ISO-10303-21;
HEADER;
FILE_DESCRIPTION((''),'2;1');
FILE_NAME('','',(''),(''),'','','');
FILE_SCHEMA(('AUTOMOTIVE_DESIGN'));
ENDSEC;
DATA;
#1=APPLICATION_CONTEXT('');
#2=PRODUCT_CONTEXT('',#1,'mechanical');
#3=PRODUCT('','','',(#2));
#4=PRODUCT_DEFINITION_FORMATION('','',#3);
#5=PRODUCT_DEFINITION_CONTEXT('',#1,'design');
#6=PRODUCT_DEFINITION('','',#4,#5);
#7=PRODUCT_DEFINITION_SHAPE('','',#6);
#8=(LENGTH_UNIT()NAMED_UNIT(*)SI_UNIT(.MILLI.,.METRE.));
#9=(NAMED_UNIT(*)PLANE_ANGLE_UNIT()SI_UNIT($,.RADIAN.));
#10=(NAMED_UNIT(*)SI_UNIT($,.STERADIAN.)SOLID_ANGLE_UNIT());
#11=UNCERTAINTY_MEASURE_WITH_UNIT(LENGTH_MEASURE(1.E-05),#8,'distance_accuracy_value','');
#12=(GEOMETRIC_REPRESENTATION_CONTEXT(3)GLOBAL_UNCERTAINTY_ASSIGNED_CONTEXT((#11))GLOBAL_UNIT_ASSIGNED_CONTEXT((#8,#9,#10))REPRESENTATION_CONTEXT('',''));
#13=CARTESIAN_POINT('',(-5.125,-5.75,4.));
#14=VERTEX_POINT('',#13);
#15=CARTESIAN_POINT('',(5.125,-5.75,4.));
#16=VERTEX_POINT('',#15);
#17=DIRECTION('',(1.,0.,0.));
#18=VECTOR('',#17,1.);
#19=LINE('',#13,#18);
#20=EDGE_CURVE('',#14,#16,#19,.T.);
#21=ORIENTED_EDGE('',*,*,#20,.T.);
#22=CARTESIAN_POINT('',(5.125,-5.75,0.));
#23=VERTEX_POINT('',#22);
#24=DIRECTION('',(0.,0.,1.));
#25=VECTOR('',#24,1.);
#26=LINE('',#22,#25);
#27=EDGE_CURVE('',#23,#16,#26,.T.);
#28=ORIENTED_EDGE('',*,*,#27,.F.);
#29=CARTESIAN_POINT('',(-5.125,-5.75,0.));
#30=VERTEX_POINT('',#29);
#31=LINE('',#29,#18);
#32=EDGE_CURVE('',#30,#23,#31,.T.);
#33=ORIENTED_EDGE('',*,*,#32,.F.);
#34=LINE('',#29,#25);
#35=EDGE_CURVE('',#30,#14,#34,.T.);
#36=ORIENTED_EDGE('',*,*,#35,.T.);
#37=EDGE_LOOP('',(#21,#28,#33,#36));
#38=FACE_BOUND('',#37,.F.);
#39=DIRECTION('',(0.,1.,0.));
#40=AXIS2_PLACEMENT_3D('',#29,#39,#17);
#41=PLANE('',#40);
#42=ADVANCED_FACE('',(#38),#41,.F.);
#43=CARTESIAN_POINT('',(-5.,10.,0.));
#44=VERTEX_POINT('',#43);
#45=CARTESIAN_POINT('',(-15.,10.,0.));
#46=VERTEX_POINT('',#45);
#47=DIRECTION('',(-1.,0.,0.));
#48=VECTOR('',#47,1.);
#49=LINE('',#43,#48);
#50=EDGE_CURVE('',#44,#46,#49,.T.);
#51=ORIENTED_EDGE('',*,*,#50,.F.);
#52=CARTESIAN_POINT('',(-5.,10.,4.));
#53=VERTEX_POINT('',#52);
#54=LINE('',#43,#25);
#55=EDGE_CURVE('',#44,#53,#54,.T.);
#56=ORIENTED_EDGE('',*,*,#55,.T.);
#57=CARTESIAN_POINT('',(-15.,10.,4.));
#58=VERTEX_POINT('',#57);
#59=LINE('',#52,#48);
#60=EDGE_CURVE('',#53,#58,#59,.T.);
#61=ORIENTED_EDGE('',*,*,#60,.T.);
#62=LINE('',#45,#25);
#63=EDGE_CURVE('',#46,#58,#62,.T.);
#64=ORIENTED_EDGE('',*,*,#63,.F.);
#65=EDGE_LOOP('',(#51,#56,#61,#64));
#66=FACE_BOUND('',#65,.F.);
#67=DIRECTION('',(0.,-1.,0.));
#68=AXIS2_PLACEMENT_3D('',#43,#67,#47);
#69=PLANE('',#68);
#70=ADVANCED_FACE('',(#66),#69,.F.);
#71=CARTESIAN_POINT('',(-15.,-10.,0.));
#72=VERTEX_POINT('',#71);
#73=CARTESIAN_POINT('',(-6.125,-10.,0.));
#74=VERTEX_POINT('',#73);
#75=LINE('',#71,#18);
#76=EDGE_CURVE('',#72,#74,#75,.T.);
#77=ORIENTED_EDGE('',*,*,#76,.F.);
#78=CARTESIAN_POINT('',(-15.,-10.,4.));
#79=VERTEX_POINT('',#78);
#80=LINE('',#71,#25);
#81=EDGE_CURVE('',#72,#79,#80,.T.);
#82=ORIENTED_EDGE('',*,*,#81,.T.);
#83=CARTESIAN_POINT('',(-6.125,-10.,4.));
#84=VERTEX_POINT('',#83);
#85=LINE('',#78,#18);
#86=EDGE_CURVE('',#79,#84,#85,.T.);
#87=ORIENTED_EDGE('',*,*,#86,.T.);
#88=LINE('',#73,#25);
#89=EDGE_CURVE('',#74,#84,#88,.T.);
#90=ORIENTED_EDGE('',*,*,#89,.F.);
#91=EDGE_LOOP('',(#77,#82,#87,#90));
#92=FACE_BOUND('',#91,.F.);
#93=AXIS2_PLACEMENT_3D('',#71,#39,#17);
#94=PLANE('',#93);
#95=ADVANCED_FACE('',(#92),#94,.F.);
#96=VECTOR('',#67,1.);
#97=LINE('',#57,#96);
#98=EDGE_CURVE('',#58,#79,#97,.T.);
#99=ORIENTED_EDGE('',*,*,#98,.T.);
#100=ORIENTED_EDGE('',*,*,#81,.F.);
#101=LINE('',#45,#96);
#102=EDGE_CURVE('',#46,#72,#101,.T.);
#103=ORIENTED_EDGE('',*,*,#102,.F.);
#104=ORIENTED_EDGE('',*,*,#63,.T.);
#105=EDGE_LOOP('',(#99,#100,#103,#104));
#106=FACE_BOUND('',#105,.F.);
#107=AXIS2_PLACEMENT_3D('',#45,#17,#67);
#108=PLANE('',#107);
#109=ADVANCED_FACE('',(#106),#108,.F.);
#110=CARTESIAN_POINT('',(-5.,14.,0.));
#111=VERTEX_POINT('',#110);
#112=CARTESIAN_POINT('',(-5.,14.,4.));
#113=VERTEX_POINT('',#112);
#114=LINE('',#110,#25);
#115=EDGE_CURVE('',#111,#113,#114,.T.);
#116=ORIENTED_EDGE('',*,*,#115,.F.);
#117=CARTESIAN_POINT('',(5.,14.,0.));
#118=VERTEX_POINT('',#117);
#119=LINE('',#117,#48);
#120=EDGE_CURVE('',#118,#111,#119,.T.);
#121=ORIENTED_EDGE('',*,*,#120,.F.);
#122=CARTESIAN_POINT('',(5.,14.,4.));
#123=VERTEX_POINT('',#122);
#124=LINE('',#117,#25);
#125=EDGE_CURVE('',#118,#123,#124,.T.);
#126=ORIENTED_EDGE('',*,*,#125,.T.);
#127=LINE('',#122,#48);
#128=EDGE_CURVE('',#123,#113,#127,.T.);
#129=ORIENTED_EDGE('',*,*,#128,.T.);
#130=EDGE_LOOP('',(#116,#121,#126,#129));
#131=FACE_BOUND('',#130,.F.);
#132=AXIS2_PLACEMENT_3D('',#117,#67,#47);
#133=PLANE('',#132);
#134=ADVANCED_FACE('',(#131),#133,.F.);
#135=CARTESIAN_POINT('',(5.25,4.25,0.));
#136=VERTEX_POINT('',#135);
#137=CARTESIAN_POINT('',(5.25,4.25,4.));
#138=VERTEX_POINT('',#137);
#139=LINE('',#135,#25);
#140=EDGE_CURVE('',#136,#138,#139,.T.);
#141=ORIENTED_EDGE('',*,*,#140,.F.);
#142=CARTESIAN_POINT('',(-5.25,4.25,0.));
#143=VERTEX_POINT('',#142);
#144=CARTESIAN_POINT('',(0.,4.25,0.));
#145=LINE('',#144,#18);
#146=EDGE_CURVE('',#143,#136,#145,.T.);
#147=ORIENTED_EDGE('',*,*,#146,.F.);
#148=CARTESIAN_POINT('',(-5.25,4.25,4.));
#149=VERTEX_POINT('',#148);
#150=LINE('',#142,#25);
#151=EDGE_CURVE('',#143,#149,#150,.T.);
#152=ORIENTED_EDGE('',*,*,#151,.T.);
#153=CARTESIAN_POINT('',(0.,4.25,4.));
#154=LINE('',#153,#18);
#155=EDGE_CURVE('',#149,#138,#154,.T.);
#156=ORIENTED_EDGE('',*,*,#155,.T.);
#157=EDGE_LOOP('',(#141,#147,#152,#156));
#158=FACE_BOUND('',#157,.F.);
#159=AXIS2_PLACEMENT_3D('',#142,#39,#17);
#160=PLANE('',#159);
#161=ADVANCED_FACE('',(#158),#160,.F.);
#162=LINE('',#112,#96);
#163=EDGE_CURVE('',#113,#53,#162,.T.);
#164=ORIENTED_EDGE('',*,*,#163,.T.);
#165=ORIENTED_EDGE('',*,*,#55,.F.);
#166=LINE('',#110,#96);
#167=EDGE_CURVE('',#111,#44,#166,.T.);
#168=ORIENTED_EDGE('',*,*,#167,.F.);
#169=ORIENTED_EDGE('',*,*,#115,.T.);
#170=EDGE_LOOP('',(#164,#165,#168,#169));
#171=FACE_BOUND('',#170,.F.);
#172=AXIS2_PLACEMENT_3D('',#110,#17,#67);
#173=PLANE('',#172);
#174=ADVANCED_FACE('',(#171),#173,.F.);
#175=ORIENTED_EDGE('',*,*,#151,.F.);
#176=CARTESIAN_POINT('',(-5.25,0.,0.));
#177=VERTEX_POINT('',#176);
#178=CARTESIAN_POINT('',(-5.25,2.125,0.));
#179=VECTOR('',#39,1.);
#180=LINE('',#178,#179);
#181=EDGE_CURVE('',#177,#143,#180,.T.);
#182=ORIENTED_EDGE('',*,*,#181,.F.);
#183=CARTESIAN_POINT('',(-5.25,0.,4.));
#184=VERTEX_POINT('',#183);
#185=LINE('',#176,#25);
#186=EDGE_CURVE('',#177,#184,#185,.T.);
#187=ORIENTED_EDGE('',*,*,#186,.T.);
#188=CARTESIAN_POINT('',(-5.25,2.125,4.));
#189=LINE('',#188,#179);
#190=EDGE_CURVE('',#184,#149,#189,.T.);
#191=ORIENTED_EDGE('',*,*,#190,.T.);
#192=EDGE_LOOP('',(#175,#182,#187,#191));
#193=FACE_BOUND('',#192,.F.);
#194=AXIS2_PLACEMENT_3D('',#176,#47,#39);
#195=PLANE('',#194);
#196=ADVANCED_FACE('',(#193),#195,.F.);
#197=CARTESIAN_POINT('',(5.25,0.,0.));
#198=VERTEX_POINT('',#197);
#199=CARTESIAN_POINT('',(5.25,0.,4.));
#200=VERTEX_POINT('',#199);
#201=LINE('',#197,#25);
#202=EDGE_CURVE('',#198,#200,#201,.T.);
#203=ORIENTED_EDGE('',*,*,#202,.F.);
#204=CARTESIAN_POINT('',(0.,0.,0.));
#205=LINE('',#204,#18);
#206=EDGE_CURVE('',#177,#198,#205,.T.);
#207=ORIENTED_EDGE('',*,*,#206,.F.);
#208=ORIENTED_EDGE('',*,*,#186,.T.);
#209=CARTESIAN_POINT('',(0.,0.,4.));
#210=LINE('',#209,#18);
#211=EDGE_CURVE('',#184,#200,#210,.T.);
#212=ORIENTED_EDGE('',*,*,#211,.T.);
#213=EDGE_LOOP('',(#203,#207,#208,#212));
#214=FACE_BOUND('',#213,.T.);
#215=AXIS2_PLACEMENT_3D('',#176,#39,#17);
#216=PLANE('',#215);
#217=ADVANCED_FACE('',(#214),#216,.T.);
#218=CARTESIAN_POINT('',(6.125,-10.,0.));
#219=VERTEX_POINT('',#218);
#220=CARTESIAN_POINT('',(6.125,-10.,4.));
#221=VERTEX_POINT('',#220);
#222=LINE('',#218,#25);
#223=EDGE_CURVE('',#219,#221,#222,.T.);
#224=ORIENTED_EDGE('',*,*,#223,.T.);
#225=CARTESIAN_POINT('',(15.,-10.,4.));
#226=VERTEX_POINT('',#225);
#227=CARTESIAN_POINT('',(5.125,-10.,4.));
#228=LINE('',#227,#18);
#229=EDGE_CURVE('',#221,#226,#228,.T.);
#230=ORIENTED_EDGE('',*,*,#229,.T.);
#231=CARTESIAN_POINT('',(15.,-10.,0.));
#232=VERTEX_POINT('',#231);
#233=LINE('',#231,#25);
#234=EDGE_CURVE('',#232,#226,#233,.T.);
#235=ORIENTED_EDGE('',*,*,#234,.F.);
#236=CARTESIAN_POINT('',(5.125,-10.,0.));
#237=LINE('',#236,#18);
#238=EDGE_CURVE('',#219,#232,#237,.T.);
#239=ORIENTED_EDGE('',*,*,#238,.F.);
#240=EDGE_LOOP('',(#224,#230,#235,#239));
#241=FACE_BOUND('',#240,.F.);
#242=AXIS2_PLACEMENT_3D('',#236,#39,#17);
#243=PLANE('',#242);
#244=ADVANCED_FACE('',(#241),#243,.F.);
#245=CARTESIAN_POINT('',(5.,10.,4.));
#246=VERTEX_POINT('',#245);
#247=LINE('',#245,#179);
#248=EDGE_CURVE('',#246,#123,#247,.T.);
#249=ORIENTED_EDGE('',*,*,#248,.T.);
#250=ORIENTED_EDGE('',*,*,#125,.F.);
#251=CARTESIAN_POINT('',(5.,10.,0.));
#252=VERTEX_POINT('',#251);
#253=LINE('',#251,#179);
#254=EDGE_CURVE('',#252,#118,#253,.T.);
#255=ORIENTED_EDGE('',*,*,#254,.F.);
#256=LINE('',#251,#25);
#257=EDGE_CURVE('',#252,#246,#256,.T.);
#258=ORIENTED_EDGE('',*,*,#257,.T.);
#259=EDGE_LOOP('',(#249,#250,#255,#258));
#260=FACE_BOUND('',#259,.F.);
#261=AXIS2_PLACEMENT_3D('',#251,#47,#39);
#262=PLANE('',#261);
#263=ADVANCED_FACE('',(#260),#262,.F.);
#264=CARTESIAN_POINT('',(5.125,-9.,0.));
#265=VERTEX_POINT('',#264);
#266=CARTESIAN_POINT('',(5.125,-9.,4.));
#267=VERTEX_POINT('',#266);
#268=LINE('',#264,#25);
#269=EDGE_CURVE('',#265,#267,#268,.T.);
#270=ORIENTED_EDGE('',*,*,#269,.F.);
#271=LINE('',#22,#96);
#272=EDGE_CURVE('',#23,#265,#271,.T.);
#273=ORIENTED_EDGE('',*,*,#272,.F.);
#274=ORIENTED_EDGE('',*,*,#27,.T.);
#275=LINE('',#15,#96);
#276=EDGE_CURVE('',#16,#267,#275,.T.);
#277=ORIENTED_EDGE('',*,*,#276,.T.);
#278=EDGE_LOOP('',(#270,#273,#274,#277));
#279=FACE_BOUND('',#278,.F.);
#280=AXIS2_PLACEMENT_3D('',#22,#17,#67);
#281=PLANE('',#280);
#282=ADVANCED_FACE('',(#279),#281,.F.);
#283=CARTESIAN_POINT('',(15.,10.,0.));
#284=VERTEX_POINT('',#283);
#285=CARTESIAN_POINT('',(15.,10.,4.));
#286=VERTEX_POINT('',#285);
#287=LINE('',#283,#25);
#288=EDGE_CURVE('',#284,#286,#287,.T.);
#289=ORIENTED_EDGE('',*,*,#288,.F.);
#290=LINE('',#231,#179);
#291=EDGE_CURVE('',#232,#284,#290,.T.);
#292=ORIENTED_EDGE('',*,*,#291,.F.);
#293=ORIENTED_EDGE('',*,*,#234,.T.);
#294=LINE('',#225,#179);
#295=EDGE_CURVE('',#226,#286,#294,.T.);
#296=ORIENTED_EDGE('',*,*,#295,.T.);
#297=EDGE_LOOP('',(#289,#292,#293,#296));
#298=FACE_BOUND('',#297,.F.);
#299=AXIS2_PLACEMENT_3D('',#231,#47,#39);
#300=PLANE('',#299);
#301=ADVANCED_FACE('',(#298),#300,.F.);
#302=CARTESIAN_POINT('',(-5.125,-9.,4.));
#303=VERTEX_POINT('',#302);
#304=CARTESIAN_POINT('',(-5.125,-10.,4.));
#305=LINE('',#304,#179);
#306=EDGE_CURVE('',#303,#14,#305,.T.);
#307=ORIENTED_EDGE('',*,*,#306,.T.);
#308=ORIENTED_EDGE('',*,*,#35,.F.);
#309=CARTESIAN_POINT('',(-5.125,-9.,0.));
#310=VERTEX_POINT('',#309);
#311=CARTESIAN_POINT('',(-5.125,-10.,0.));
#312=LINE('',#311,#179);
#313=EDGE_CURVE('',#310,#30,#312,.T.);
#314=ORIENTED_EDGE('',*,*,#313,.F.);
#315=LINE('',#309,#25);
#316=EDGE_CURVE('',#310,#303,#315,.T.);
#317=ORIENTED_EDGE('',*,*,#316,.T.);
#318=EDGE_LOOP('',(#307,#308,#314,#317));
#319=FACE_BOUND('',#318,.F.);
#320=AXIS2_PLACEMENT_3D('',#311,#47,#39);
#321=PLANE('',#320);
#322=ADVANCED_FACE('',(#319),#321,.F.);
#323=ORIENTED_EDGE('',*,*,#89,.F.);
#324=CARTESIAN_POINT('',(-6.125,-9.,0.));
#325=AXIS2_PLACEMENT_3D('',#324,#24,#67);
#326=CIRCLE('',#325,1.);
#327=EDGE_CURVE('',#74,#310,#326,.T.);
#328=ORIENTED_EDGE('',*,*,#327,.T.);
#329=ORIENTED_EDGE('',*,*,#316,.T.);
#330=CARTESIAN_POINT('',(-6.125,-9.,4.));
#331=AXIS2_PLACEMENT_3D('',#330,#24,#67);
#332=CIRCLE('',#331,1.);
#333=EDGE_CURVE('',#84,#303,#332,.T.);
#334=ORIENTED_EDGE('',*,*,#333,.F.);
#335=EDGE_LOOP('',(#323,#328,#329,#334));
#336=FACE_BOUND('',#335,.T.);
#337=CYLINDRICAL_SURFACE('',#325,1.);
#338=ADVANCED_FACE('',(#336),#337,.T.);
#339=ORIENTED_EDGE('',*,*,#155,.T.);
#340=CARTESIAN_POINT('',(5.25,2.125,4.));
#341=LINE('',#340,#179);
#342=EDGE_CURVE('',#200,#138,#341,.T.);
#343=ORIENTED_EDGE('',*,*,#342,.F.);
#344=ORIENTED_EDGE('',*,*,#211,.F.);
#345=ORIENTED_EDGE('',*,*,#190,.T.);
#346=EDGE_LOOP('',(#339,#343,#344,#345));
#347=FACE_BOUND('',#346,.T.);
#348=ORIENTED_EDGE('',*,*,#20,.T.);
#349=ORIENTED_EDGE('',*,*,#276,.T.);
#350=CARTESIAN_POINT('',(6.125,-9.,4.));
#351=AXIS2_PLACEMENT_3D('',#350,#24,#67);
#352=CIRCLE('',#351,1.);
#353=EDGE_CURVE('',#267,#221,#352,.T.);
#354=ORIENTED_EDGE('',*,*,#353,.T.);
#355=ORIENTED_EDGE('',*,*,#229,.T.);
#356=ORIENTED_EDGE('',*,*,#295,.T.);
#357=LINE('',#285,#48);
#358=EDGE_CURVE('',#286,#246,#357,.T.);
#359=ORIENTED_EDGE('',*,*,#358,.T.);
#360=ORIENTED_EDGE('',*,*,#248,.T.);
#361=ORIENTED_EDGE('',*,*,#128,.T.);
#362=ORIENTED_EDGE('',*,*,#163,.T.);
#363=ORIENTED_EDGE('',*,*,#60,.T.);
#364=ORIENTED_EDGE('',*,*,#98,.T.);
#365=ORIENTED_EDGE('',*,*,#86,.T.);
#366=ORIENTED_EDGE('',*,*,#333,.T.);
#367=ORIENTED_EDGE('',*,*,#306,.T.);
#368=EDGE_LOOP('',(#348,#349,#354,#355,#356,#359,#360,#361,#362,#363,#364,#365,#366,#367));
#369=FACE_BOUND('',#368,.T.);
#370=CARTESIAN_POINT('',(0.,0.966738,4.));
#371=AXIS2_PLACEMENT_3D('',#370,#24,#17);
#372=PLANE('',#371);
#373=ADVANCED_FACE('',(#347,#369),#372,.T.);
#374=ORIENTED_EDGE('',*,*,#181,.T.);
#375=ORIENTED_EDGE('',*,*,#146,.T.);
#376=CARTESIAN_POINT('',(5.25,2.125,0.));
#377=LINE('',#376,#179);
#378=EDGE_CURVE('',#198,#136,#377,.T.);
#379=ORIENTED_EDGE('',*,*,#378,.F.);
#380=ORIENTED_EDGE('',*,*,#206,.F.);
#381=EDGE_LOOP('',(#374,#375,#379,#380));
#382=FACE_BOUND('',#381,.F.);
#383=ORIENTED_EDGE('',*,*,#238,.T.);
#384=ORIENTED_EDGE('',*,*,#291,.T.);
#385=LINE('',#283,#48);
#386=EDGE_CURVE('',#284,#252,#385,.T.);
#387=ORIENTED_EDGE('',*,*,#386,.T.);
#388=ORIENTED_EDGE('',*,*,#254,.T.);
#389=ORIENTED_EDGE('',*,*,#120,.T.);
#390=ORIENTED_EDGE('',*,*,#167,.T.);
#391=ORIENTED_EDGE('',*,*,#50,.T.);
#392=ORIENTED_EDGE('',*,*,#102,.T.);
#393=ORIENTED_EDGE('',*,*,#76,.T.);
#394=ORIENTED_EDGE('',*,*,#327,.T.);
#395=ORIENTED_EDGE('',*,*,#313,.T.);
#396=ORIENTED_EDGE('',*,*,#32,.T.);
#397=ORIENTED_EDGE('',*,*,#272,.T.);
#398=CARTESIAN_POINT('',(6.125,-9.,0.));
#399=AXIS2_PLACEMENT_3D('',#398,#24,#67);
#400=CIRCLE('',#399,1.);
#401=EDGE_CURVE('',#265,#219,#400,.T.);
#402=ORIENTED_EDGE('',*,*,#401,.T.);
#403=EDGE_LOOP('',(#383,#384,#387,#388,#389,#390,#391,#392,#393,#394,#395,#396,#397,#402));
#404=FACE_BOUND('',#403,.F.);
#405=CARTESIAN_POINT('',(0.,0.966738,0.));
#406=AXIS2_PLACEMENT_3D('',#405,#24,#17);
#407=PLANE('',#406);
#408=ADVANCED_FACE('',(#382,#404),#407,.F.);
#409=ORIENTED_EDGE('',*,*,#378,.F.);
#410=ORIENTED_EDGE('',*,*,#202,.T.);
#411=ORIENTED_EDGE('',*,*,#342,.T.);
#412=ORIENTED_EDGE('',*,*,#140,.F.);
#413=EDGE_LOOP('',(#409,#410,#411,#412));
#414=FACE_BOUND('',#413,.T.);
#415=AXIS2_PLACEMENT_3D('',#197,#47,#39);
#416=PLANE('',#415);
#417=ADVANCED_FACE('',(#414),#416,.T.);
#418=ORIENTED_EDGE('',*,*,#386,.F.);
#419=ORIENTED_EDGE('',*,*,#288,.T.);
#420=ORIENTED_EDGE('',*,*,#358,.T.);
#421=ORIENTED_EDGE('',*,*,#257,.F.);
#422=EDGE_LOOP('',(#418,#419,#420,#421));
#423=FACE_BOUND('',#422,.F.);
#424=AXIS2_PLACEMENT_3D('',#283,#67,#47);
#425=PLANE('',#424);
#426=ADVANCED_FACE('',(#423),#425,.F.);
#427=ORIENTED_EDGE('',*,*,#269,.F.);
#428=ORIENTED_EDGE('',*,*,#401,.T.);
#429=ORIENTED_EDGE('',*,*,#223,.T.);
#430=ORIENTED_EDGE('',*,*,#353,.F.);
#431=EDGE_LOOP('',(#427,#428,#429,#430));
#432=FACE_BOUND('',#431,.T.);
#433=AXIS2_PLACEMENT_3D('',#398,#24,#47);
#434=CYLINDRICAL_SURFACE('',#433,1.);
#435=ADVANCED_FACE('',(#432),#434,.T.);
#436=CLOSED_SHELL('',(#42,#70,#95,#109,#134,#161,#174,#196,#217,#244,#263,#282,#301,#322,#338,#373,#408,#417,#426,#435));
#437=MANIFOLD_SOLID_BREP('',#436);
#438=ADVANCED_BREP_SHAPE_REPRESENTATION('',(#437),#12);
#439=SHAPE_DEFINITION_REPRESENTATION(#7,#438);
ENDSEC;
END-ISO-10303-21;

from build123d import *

# Parameters (mm, degrees)
SKETCH_W  = 10.5
SKETCH_H  = 4.25
PAD_DEPTH = 4
FILLET_R  = 1


with BuildPart() as part:
    # Sketch → Pad (new body)
    with BuildSketch(Plane.XY):
        Polygon((-15, 10), (-15, -10), (-5.125, -10), (-5.125, -5.75), (5.125, -5.75), (5.125, -10), (15, -10), (15, 10), (5, 10), (5, 14), (-5, 14), (-5, 10), align=None)
        with Locations((0, 2.125)):
            Rectangle(SKETCH_W, SKETCH_H, mode=Mode.SUBTRACT)
    extrude(amount=PAD_DEPTH)

    # Fillet
    fillet_edges = [part.edges().sort_by_distance(p)[0] for p in [
        (-5.125, -10, 2),
        (5.125, -10, 2),
    ]]
    fillet(fillet_edges, radius=FILLET_R)


solid = part.part
